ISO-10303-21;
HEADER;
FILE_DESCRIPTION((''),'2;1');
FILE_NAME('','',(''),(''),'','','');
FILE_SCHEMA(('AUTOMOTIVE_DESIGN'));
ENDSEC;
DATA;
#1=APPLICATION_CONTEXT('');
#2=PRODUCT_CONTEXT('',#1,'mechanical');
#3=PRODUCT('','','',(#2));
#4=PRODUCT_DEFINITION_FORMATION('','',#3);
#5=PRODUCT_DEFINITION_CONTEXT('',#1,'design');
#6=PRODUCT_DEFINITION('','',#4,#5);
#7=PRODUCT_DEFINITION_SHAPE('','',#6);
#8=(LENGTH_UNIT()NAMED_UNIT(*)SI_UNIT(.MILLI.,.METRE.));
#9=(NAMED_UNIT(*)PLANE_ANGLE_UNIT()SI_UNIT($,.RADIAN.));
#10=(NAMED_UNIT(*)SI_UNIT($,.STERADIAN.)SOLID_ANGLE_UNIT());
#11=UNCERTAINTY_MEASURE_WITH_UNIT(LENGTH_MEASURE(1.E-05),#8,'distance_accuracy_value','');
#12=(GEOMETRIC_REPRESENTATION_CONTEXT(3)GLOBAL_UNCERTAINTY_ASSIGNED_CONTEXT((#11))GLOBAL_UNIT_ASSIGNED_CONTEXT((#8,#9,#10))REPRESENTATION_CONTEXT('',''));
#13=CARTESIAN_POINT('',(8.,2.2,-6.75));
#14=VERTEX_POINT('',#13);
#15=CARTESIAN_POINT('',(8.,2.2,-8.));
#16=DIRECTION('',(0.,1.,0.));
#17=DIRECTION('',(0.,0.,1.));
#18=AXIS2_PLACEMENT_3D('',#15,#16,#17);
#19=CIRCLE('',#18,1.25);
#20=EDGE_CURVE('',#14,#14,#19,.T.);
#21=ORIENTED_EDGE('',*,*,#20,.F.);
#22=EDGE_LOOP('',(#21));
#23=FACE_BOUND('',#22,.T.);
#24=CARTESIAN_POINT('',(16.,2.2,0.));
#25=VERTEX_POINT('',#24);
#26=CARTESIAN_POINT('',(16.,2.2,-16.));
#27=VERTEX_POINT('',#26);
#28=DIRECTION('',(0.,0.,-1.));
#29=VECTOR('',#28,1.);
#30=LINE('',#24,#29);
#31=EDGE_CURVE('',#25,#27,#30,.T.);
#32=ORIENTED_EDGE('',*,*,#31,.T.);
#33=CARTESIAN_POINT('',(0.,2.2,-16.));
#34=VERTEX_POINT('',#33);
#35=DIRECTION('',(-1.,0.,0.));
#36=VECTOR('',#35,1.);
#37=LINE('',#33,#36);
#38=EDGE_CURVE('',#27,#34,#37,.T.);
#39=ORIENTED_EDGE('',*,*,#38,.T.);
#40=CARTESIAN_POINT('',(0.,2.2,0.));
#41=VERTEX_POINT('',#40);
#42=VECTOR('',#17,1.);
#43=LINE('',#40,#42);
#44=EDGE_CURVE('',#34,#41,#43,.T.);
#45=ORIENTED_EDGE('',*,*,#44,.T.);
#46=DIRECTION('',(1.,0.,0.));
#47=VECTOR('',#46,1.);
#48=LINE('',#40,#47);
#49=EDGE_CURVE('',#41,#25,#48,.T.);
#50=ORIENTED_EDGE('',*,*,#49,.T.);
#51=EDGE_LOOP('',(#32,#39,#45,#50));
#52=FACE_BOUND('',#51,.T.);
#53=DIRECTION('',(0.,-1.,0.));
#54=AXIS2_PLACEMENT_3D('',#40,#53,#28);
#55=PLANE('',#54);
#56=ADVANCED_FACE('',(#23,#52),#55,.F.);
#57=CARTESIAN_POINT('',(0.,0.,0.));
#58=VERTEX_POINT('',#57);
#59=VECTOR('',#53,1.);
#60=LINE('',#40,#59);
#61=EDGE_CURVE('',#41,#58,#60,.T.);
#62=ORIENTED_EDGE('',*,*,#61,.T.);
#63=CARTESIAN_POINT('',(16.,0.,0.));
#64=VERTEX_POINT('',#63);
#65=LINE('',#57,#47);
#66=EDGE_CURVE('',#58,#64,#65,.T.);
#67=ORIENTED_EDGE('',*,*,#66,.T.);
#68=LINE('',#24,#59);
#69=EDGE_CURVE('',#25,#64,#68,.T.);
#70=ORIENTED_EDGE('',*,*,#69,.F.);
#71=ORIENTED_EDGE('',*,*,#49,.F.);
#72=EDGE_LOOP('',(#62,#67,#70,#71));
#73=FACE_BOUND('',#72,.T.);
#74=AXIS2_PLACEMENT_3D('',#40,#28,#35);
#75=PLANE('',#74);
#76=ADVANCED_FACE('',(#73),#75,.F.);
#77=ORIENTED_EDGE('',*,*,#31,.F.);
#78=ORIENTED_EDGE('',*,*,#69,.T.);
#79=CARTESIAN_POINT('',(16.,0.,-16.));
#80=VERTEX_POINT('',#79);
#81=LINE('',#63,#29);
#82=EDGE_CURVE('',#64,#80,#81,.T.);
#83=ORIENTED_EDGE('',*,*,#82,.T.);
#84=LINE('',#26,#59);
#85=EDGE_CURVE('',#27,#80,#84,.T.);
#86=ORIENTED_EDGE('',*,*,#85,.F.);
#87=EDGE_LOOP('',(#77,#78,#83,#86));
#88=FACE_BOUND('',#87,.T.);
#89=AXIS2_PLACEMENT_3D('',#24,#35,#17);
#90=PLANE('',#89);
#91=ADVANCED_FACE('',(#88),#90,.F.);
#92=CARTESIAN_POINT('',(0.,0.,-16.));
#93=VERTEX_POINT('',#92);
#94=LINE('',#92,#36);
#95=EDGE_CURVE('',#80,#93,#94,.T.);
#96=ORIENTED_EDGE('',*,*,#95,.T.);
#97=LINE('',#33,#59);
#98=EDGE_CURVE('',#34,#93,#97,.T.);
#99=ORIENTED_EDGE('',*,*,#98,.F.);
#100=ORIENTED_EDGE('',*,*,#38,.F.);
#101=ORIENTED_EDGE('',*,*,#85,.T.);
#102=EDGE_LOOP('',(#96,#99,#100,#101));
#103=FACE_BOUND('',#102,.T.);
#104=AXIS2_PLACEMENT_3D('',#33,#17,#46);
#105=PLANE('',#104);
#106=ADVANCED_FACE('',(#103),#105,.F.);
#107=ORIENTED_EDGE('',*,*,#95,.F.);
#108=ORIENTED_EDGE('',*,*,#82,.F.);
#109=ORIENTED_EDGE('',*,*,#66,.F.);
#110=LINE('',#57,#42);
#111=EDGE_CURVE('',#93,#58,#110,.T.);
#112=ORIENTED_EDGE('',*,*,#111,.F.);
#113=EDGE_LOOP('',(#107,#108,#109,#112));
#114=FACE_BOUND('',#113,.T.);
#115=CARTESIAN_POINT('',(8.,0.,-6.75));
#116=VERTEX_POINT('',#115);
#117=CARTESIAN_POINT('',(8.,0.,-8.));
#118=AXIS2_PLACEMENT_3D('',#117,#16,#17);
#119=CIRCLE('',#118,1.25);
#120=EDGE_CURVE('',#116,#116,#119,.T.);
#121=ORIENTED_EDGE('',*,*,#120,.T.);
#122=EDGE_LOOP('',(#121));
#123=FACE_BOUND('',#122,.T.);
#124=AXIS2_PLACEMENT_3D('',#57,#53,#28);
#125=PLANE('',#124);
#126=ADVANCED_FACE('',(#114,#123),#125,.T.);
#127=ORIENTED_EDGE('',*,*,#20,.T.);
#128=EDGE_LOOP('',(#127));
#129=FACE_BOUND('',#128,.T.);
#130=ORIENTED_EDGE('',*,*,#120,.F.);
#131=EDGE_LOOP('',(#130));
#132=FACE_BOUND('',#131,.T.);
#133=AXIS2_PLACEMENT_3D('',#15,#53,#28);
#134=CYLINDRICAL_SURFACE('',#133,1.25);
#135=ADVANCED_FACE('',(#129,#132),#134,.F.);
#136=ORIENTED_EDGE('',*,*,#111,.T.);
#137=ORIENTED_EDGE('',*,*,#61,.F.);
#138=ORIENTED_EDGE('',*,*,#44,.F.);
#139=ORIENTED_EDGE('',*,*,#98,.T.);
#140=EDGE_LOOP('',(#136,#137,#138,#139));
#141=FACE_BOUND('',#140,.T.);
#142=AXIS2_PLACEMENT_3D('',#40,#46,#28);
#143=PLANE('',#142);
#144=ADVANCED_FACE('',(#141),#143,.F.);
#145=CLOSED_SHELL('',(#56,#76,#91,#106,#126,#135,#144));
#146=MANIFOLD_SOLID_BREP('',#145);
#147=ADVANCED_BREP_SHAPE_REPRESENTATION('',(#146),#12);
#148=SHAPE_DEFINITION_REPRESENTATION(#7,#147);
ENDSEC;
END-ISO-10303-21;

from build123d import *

# Parameters (mm, degrees)
SKETCH1_W           = 16
SKETCH1_H           = 16
SKETCH1_R           = 1.25
BOSS_EXTRUDE1_DEPTH = 2.2


with BuildPart() as part:
    # Sketch1 → Boss-Extrude1 (new body)
    with BuildSketch(Plane(origin=(0, 0, 0), x_dir=(1, 0, 0), z_dir=(0, 1, 0))):
        with Locations((8, 8)):
            Rectangle(SKETCH1_W, SKETCH1_H)
        with Locations(Location((8, 8, 0), (0, 0, 270))):
            Circle(SKETCH1_R, mode=Mode.SUBTRACT)
    extrude(amount=BOSS_EXTRUDE1_DEPTH)


solid = part.part
